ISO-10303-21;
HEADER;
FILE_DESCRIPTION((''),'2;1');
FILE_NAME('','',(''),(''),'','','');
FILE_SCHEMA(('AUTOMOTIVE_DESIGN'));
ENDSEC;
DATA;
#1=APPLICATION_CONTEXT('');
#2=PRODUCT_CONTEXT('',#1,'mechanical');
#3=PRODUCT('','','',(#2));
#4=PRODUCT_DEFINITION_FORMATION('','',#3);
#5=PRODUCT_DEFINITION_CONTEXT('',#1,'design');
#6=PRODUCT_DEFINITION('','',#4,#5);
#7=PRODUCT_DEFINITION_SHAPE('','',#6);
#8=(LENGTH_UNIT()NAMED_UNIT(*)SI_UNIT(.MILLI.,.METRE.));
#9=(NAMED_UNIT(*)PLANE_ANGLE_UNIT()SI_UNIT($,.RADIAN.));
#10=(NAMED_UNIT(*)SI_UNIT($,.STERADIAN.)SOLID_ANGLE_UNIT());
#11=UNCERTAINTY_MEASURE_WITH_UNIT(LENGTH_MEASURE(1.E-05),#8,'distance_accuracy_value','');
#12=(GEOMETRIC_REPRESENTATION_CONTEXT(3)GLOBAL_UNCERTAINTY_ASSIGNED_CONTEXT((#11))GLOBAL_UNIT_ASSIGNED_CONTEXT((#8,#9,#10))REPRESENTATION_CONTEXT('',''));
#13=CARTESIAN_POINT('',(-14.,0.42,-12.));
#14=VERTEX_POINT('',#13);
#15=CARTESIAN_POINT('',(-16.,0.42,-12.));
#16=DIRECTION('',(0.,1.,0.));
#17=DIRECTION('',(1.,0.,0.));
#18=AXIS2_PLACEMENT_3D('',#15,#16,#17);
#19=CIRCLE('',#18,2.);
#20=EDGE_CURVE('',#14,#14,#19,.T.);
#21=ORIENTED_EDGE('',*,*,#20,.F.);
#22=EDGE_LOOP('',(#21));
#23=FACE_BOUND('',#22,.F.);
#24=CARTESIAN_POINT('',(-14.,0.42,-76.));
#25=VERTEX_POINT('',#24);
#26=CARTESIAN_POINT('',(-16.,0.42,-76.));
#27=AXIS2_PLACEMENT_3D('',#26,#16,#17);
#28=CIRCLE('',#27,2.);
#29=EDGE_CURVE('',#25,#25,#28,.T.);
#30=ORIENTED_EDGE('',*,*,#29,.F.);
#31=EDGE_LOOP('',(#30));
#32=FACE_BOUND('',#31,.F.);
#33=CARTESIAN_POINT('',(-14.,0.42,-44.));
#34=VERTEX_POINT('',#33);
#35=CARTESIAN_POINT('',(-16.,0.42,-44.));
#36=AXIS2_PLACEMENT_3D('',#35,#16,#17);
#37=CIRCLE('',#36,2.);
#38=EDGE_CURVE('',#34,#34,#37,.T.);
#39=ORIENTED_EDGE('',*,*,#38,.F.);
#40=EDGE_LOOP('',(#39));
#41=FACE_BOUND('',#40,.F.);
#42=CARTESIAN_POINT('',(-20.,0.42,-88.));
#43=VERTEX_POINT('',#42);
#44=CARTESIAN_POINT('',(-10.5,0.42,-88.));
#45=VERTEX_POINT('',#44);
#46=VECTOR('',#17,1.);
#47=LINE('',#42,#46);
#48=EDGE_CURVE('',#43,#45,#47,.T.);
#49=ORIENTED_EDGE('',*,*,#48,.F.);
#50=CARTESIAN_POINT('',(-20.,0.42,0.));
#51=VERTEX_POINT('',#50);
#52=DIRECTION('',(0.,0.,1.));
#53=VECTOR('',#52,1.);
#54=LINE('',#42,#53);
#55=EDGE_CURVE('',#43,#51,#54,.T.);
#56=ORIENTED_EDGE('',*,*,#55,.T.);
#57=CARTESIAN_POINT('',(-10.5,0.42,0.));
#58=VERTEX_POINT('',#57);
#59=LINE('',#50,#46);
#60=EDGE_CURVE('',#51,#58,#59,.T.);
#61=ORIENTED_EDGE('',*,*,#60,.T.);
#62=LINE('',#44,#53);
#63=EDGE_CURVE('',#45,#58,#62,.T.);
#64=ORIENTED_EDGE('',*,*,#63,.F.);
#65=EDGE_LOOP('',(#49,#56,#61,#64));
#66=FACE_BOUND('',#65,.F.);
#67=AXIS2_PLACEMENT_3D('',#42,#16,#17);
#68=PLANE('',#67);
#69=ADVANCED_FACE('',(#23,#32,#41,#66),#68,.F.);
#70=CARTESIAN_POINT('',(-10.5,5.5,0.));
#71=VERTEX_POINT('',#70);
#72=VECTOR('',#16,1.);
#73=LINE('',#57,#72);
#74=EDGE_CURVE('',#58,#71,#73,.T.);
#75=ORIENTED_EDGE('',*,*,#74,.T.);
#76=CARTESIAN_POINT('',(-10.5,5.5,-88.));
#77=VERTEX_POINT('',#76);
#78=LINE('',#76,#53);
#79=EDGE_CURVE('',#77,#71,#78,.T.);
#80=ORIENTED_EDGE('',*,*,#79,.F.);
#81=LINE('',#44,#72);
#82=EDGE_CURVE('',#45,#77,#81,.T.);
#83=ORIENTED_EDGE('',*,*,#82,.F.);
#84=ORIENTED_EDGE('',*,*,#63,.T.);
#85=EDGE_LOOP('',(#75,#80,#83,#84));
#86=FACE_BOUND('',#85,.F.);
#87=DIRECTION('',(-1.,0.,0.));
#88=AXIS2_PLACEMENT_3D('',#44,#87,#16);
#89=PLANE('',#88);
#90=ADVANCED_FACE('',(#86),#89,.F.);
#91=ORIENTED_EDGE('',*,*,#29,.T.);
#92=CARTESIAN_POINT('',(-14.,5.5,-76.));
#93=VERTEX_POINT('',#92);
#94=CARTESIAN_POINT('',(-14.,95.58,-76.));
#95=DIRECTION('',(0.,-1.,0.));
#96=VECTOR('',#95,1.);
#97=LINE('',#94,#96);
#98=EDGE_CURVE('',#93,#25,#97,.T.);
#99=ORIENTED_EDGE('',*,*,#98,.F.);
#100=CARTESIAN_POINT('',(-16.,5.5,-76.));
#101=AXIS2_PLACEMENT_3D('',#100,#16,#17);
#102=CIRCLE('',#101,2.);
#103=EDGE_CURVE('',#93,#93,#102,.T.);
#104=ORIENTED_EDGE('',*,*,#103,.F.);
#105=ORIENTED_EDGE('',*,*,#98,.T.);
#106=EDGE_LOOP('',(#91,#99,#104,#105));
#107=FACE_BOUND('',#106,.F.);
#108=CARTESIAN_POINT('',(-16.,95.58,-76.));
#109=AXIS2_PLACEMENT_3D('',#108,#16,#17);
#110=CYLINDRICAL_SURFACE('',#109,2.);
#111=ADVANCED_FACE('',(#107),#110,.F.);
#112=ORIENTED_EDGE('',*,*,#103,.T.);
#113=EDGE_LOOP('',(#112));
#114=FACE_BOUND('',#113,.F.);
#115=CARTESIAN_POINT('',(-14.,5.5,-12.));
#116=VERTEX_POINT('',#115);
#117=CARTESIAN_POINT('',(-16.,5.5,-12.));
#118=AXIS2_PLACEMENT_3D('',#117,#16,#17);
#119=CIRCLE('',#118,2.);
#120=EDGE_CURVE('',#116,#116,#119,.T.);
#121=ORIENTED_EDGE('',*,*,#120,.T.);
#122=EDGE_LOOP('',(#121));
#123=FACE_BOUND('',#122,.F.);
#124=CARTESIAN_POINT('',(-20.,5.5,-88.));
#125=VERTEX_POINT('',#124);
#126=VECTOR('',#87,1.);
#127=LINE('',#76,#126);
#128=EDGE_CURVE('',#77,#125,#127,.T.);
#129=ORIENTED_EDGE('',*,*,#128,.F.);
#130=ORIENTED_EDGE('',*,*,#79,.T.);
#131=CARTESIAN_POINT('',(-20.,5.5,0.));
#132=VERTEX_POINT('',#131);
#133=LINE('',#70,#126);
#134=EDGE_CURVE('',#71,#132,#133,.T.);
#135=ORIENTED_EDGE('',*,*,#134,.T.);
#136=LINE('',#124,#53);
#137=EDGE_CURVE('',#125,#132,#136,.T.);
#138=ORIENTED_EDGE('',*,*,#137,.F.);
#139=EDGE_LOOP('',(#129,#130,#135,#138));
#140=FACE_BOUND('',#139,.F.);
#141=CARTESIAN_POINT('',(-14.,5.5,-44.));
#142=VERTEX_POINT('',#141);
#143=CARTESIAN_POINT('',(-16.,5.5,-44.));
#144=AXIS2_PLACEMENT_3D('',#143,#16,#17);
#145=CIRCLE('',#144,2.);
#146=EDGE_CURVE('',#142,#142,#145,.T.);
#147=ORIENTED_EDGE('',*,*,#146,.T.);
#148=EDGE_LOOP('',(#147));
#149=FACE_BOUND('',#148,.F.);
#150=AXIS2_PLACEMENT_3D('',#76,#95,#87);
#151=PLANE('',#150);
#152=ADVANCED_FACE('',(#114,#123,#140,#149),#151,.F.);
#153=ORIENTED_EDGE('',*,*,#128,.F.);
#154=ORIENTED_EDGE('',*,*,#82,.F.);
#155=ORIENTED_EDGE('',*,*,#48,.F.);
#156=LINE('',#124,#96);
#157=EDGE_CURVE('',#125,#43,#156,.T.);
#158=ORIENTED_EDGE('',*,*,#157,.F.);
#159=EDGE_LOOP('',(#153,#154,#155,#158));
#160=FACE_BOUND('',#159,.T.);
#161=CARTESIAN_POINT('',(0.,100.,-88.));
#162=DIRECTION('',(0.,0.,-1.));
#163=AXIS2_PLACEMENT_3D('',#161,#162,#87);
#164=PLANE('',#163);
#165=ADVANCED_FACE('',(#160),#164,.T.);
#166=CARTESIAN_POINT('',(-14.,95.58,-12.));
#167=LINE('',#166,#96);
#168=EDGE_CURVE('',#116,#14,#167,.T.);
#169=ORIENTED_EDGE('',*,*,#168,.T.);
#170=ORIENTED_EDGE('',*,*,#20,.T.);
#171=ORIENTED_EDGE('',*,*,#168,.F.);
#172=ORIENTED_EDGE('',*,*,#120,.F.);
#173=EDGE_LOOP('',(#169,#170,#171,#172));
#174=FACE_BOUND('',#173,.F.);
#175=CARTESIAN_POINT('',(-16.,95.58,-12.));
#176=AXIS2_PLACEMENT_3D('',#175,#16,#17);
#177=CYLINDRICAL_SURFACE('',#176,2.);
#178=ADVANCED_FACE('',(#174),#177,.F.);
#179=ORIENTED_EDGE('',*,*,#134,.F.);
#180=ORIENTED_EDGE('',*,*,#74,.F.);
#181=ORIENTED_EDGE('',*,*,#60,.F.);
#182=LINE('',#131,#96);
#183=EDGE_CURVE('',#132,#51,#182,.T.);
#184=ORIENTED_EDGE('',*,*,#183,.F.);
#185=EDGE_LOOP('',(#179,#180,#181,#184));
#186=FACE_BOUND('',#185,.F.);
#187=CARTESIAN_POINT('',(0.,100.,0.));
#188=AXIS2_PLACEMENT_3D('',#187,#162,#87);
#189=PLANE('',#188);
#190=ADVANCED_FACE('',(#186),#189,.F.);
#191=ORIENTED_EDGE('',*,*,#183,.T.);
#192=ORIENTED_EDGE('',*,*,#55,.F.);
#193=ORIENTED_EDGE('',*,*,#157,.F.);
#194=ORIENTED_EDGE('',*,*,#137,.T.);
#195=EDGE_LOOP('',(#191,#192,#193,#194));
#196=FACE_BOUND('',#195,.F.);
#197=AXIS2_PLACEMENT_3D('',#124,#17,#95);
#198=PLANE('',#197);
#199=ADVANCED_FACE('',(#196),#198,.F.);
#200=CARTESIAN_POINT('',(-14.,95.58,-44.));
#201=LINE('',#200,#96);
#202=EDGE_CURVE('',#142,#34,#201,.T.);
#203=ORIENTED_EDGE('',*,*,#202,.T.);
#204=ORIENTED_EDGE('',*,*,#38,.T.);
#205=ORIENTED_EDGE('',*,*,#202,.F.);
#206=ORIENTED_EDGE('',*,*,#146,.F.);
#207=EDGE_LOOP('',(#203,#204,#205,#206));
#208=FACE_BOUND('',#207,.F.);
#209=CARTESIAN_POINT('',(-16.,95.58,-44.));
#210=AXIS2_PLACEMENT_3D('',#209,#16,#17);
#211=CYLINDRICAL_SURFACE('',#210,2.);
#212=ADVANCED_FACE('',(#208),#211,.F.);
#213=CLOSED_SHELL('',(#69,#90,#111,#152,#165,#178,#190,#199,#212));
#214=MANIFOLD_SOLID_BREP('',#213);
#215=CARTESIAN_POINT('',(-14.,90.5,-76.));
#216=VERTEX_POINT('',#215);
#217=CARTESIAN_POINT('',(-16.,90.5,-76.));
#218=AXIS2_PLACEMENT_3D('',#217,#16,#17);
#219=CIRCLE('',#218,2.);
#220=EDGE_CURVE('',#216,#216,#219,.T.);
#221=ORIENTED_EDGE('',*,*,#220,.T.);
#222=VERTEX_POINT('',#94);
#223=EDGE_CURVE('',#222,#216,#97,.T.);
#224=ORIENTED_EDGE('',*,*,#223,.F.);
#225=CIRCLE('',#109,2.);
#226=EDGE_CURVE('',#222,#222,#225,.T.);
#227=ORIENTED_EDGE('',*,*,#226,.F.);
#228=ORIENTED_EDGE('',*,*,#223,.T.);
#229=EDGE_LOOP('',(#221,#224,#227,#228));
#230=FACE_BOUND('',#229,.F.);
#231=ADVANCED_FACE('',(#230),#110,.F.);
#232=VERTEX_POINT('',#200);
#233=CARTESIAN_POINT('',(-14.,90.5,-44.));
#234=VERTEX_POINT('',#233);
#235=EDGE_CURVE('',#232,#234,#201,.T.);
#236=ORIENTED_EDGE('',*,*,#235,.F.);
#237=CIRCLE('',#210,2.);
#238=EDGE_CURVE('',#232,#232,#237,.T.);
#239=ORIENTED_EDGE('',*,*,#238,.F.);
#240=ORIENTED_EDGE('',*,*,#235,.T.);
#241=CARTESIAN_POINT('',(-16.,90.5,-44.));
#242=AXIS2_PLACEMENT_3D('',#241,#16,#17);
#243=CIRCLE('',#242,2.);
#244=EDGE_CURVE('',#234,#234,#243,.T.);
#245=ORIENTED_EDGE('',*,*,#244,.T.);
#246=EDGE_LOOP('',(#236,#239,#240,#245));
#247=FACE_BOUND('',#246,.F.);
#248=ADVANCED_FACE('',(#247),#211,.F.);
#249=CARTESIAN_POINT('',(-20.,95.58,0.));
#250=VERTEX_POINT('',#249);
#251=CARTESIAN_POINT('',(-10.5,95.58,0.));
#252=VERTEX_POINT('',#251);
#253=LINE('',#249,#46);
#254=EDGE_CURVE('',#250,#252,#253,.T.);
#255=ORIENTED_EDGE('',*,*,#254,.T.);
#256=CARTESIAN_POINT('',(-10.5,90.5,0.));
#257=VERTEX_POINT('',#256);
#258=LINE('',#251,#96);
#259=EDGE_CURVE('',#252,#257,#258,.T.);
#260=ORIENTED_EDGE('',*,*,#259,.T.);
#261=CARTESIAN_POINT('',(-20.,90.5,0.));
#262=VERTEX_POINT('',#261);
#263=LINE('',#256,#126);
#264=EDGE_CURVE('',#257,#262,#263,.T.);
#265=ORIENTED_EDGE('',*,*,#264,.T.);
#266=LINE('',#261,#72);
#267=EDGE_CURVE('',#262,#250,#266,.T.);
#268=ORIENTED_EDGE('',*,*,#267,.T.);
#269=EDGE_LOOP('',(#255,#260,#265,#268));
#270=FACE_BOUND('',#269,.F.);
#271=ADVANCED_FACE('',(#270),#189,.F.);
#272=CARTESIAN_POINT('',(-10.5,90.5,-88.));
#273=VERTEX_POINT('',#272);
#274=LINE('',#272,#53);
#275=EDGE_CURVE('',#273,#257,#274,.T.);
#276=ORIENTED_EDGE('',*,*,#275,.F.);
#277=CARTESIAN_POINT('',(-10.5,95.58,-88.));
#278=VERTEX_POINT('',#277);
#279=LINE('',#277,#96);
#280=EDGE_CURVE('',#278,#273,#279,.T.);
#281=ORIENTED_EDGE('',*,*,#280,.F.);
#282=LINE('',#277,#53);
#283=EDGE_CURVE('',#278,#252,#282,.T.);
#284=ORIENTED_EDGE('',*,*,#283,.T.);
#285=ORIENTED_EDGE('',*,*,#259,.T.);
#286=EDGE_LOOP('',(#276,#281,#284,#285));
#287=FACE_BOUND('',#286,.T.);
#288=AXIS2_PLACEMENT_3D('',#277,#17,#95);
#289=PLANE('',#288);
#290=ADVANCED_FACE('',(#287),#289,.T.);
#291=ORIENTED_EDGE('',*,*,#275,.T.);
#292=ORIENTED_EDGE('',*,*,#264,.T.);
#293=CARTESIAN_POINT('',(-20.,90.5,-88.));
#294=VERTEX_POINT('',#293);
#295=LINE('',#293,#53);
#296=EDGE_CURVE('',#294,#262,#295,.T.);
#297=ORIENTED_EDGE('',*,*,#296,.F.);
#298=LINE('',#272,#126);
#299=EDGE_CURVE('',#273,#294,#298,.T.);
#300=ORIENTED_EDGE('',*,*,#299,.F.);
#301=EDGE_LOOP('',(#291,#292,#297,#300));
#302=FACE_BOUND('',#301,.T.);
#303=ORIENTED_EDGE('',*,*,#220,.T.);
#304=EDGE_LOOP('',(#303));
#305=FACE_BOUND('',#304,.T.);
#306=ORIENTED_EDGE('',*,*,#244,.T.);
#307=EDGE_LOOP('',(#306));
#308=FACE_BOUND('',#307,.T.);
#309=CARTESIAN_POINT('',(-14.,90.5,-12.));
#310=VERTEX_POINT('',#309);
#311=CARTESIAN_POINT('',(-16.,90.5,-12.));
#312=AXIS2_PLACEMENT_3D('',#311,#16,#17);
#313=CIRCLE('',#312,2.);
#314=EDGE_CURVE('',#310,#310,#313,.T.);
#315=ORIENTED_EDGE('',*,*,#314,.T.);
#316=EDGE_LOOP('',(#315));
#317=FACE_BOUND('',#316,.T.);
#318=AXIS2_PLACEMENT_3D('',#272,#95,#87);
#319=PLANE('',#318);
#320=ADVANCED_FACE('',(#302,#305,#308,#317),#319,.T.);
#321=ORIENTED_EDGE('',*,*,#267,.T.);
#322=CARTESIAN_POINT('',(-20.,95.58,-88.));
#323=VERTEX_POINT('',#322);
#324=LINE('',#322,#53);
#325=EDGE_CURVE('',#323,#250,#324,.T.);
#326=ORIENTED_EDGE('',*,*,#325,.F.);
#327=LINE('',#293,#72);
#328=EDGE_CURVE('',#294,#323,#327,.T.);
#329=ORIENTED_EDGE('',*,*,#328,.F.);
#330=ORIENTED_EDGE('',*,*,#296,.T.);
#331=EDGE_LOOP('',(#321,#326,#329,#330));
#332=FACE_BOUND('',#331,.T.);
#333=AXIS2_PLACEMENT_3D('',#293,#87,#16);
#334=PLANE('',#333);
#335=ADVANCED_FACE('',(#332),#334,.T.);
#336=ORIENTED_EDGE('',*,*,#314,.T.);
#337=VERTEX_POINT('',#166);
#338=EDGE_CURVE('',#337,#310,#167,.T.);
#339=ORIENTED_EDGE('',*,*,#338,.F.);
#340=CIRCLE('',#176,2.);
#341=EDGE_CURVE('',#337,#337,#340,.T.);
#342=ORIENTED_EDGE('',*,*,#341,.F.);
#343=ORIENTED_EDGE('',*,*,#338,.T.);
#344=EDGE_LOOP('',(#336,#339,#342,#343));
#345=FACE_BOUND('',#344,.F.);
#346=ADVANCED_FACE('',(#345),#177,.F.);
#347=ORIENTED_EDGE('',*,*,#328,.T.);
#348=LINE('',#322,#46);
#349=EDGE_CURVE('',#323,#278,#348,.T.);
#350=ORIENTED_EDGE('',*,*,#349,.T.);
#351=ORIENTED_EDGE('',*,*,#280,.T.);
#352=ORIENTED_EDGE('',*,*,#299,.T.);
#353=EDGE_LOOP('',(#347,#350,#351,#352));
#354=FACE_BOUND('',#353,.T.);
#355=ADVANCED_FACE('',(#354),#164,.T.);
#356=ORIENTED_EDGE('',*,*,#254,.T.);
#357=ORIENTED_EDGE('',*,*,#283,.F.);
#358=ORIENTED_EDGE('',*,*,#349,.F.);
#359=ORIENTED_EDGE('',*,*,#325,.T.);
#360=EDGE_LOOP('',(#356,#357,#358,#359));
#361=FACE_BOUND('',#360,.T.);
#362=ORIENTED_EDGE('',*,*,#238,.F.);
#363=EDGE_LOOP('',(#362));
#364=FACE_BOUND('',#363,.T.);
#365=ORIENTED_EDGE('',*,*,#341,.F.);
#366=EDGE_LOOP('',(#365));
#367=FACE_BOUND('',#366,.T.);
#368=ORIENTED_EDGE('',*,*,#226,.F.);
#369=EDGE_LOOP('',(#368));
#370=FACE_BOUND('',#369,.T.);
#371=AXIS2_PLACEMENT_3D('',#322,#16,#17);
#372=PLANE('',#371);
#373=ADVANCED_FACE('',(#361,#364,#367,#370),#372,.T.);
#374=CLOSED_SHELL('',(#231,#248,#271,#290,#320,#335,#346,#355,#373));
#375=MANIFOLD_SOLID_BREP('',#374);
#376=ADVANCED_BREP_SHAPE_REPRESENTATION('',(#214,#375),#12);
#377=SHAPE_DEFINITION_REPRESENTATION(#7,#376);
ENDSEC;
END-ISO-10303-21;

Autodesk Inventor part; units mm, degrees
ref_plane "YZ Plane" through (0, 0, 0) normal (1, 0, 0) x (0, 1, 0)
ref_plane "XZ Plane" through (0, 0, 0) normal (0, 1, 0) x (-1, 0, 0)
sketch "Sketch1" plane through (0, 0, 0) normal (0, 0, 1) x (1, 0, 0)
  line L0 (-8, 88) -> (-8, 100) construction
  line L1 (272, 92) -> (-8, 92) construction
  line L2 (272, 92) -> (-8, 92) construction
  line L3 (-8, 88) -> (-8, 100) construction
  line L4 (-20, 88) -> (-20, 90.5) construction
  line L5 (-8, 88) -> (-20, 88) construction
  line L6 (-20, 88) -> (-20, 8) construction
  line L7 (-20, 88) -> (-147, 88) construction
  line L8 (-147, 88) -> (-147, 164.2) construction
  line L9 (-147, 164.2) -> (-72.1492, 192.4658) construction
  line L10 (-72.1492, 192.4658) -> (-20, 88) construction
  line L11 (-20, 48) -> (-111.8972, 48) construction
  circle A0 centre (-72.0661, 48) radius 40.005 construction
  line L12 (-71.4336, 8) -> (-20, 8) construction
  line L13 (-147, 164.2) -> (-110.5216, 36.974) construction
  point P0 (0, 0)
  dimension "d21" = 80.01
  dimension "d4" = 127
  dimension "d5" = 76.2
  dimension "d6" = 80.01
  dimension "d20" = 91.8972
  dimension "d23" = 15.999
sketch "Sketch2" plane through (0, 0, 0) normal (0, 1, 0) x (-1, 0, 0)
  line L0 (10.5, -88) -> (20, -88) construction
  circle A0 centre (16, -84) radius 2 construction
  line L1 (16, -84) -> (31.875, -56.5037) construction
  line L2 (16, -84) -> (47.75, -84) construction
  line L3 (20, -88) -> (20, 0) construction
  line L4 (31.875, -56.5037) -> (31.875, -16.4987) construction
  circle A1 centre (31.875, -16.4987) radius 40.005 construction
  circle A2 centre (31.875, -56.5037) radius 40.005 construction
  circle A3 centre (31.875, -56.5037) radius 80.01 construction
  line L5 (111.885, -52.8947) -> (111.885, -78.2947) construction
  point P0 (0, 0)
  dimension "d10" = 31.75
  dimension "d11" = 60
  dimension "d13" = 40.005
  dimension "d14" = 80.01
  dimension "d15" = 80.01
  dimension "d17" = 160.02
  dimension "d18" = 11.875
  dimension "d24" = 25.4
  dimension "d25" = 91.885
ref_plane "Work Plane1" through (0, 100, -88) normal (0, 0, -1) x (-1, 0, 0)
sketch "Sketch3" plane through (0, 100, -88) normal (0, 0, -1) x (-1, 0, 0)
  line L0 (10.5, -94.5) -> (20, -94.5) construction
  line L1 (10.5, -9.5) -> (20, -9.5) construction
  line L2 (10.5, -94.5) -> (20, -94.5)
  line L3 (20, -94.5) -> (20, -99.58)
  line L4 (20, -99.58) -> (10.5, -99.58)
  line L5 (10.5, -99.58) -> (10.5, -94.5)
  line L6 (10.5, -9.5) -> (20, -9.5)
  line L7 (20, -9.5) -> (20, -4.42)
  line L8 (20, -4.42) -> (10.5, -4.42)
  line L9 (10.5, -4.42) -> (10.5, -9.5)
  point P0 (0, -100)
  dimension "d26" = 5.08
  dimension "d27" = 5.08
ref_plane "Work Plane2" through (-20.1567, -4.1567, 0) normal (0, 0, 1) x (1, 0, 0)
extrude "Extrusion1" add sketch "Sketch3" against normal up to surface (88 mm away)
sketch "Sketch4" plane through (0, 100, -88) normal (0, 0, -1) x (-1, 0, 0)
  line L0 (71.4336, -92) -> (20, -92) construction
  line L1 (20, -12) -> (147, -12) construction
  circle A0 centre (72.0661, -52) radius 40.005 construction
  line L2 (20, -92) -> (72.0622, -92.005)
  line L3 (147, 64.2) -> (72.1492, 92.4658) construction
  line L4 (20, -4.42) -> (72.1492, 92.4658) construction
  line L5 (26.6402, 7.9165) -> (120.6802, -27.5957)
  line L6 (147, 64.2) -> (110.5216, -63.026) construction
  line L7 (20, -4.42) -> (26.6402, 7.9165)
  arc A1 (71.4336, -92) -> (110.5216, -63.026) centre (72.0661, -52) ccw
  line L8 (110.5216, -63.026) -> (120.6802, -27.5957)
  line L9 (20, -92) -> (20, -4.42)
  point P0 (0, -100)
sketch "Sketch5" plane through (-20, 95.58, -88) normal (0, 1, 0) x (1, 0, 0)
  circle A0 centre (4, -76) radius 2
  circle A1 centre (4, -12) radius 2
  circle A2 centre (4, -44) radius 2
  point P0 (20, -88)
extrude "Extrusion2" cut sketch "Sketch5" against normal through all
sketch "Sketch6" plane through (0, 100, -88) normal (0, 0, -1) x (-1, 0, 0)
  point P0 (0, -100)
properties part number "TransferChute"
